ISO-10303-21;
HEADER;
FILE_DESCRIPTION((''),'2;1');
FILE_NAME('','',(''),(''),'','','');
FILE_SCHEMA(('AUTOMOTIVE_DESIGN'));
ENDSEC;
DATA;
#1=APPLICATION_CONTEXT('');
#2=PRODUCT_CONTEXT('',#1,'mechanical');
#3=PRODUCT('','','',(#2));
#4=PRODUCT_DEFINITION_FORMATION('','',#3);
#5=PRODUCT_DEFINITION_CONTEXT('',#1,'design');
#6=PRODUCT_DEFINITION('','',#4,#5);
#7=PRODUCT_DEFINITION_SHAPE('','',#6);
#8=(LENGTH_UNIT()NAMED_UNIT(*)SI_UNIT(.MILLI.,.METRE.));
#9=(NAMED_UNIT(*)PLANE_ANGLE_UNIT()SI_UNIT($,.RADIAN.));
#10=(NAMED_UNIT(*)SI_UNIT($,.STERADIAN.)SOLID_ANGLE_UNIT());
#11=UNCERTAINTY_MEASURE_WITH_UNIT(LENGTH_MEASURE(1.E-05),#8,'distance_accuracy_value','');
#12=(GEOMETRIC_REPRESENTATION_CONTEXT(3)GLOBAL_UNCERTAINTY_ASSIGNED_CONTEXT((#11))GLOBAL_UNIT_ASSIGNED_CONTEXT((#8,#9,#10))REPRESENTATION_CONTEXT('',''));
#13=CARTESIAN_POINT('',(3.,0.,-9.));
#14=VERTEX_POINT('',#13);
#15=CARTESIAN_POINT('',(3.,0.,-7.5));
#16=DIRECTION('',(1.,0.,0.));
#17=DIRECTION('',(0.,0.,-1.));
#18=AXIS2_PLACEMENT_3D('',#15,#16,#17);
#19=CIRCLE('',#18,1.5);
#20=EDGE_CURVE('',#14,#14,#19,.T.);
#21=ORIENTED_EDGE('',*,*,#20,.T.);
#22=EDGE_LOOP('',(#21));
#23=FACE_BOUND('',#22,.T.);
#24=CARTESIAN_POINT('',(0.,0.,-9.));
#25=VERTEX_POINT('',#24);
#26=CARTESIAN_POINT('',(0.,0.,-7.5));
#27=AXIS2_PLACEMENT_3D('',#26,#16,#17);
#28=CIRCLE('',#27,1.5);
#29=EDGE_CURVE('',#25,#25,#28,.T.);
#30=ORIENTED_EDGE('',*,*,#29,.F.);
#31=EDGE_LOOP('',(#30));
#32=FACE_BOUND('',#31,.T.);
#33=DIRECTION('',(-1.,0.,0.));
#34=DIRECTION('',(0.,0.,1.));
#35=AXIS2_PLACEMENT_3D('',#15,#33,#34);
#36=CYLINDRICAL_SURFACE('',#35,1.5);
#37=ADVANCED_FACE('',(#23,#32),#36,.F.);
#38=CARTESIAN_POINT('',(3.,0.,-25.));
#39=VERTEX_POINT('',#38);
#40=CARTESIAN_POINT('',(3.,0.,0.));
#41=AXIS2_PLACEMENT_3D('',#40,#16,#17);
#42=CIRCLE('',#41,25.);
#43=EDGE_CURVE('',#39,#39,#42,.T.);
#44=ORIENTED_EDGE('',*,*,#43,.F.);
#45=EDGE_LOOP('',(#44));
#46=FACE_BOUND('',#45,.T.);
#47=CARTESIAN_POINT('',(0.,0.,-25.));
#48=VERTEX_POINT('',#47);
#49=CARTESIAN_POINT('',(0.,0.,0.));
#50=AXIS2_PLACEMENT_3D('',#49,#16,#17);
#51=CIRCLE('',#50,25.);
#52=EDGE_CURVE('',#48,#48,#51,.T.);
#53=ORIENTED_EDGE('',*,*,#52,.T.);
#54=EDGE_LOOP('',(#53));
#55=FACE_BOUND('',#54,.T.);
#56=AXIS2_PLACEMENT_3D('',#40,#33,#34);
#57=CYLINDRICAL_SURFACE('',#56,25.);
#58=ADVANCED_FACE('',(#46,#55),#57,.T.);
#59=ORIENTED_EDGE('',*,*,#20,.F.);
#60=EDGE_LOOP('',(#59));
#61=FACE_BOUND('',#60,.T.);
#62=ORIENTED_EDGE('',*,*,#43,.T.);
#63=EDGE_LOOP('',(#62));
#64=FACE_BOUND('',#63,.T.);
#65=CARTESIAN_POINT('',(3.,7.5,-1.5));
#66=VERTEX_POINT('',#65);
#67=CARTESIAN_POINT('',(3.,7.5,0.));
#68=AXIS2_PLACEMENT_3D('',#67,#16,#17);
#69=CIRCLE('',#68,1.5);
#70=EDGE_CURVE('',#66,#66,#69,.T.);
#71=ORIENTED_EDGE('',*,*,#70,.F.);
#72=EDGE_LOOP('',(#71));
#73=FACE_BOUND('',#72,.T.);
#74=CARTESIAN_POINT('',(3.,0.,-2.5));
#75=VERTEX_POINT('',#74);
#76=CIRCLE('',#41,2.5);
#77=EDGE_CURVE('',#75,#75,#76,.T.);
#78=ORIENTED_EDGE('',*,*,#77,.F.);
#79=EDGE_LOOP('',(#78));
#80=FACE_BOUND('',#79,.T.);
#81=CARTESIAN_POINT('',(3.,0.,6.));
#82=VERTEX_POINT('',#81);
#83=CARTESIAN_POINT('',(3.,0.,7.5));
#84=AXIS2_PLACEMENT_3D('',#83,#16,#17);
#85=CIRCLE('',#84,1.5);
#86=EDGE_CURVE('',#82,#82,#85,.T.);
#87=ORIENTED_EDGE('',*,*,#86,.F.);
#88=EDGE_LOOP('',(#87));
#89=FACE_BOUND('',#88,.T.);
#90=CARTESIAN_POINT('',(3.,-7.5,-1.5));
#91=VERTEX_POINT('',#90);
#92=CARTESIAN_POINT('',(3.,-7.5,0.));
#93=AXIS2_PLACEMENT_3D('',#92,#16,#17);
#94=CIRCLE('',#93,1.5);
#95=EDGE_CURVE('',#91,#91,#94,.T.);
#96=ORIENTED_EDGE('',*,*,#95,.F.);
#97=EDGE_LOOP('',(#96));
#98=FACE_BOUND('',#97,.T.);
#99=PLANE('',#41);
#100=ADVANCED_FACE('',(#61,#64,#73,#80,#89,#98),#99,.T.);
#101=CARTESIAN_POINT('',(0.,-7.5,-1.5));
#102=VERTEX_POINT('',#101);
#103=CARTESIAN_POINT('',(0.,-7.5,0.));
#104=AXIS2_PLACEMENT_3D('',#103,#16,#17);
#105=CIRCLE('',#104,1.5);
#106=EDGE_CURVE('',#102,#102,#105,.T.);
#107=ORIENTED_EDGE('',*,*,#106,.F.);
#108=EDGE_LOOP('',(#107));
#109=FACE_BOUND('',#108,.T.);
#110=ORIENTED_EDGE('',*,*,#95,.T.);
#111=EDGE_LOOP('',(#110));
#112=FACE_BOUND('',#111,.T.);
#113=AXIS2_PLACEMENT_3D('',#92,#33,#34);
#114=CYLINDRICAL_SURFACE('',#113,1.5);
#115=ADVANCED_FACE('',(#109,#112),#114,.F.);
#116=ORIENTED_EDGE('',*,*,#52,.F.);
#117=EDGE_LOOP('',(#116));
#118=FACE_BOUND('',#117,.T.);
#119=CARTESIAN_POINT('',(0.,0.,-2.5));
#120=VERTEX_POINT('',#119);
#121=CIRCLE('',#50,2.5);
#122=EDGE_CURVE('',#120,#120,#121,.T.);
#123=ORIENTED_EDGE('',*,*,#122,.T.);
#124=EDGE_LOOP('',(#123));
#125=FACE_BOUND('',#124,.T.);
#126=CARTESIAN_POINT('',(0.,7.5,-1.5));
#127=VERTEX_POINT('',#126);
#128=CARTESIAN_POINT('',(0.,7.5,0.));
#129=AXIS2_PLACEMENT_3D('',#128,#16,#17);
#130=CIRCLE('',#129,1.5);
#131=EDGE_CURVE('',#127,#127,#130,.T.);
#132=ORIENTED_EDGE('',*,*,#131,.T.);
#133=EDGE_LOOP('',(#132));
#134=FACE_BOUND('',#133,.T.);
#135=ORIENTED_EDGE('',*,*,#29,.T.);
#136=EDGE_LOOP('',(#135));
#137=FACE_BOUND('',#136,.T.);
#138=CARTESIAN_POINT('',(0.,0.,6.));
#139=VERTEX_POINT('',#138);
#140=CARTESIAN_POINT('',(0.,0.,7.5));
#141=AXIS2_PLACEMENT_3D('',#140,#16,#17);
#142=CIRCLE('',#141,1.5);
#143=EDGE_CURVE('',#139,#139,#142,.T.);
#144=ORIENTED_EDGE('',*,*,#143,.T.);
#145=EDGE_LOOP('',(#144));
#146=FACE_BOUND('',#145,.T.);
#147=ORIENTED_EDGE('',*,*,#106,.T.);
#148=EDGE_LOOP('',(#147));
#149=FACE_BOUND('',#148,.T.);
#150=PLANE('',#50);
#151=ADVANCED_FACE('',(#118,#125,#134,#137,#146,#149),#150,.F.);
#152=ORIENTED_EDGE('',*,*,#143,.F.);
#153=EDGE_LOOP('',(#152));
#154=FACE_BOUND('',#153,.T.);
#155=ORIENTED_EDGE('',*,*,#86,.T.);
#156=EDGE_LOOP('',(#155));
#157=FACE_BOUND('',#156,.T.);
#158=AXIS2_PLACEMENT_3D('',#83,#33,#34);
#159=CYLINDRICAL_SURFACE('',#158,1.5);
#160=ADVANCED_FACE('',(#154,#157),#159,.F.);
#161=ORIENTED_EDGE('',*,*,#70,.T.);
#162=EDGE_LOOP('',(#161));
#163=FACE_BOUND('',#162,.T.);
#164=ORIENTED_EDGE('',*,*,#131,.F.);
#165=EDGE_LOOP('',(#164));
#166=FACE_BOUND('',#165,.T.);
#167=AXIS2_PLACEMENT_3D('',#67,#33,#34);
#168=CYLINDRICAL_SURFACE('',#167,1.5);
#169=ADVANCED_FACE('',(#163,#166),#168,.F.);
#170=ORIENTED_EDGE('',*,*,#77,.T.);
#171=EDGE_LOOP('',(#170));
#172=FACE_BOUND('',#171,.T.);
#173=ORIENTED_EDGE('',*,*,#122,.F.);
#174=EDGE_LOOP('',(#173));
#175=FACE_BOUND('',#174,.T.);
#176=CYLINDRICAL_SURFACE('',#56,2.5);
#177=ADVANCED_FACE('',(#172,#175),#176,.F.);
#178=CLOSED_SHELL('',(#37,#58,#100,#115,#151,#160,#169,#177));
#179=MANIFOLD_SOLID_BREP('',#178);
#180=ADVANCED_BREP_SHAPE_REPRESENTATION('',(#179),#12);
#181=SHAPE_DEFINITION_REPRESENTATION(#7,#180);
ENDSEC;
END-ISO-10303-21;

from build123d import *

# Parameters (mm, degrees)
CROQUIS1_R              = 25
CROQUIS1_R_2            = 2.5
CROQUIS1_R_3            = 1.5
SALIENTE_EXTRUIR1_DEPTH = 3


with BuildPart() as part:
    # Croquis1 → Saliente-Extruir1 (new body)
    with BuildSketch(Plane(origin=(0, 0, 0), x_dir=(0, 0, -1), z_dir=(1, 0, 0))):
        Circle(CROQUIS1_R)
        Circle(CROQUIS1_R_2, mode=Mode.SUBTRACT)
        with Locations((0, 7.5)):
            Circle(CROQUIS1_R_3, mode=Mode.SUBTRACT)
        with Locations((7.5, 0)):
            Circle(CROQUIS1_R_3, mode=Mode.SUBTRACT)
        with Locations((0, -7.5)):
            Circle(CROQUIS1_R_3, mode=Mode.SUBTRACT)
        with Locations((-7.5, 0)):
            Circle(CROQUIS1_R_3, mode=Mode.SUBTRACT)
    extrude(amount=SALIENTE_EXTRUIR1_DEPTH)


solid = part.part
